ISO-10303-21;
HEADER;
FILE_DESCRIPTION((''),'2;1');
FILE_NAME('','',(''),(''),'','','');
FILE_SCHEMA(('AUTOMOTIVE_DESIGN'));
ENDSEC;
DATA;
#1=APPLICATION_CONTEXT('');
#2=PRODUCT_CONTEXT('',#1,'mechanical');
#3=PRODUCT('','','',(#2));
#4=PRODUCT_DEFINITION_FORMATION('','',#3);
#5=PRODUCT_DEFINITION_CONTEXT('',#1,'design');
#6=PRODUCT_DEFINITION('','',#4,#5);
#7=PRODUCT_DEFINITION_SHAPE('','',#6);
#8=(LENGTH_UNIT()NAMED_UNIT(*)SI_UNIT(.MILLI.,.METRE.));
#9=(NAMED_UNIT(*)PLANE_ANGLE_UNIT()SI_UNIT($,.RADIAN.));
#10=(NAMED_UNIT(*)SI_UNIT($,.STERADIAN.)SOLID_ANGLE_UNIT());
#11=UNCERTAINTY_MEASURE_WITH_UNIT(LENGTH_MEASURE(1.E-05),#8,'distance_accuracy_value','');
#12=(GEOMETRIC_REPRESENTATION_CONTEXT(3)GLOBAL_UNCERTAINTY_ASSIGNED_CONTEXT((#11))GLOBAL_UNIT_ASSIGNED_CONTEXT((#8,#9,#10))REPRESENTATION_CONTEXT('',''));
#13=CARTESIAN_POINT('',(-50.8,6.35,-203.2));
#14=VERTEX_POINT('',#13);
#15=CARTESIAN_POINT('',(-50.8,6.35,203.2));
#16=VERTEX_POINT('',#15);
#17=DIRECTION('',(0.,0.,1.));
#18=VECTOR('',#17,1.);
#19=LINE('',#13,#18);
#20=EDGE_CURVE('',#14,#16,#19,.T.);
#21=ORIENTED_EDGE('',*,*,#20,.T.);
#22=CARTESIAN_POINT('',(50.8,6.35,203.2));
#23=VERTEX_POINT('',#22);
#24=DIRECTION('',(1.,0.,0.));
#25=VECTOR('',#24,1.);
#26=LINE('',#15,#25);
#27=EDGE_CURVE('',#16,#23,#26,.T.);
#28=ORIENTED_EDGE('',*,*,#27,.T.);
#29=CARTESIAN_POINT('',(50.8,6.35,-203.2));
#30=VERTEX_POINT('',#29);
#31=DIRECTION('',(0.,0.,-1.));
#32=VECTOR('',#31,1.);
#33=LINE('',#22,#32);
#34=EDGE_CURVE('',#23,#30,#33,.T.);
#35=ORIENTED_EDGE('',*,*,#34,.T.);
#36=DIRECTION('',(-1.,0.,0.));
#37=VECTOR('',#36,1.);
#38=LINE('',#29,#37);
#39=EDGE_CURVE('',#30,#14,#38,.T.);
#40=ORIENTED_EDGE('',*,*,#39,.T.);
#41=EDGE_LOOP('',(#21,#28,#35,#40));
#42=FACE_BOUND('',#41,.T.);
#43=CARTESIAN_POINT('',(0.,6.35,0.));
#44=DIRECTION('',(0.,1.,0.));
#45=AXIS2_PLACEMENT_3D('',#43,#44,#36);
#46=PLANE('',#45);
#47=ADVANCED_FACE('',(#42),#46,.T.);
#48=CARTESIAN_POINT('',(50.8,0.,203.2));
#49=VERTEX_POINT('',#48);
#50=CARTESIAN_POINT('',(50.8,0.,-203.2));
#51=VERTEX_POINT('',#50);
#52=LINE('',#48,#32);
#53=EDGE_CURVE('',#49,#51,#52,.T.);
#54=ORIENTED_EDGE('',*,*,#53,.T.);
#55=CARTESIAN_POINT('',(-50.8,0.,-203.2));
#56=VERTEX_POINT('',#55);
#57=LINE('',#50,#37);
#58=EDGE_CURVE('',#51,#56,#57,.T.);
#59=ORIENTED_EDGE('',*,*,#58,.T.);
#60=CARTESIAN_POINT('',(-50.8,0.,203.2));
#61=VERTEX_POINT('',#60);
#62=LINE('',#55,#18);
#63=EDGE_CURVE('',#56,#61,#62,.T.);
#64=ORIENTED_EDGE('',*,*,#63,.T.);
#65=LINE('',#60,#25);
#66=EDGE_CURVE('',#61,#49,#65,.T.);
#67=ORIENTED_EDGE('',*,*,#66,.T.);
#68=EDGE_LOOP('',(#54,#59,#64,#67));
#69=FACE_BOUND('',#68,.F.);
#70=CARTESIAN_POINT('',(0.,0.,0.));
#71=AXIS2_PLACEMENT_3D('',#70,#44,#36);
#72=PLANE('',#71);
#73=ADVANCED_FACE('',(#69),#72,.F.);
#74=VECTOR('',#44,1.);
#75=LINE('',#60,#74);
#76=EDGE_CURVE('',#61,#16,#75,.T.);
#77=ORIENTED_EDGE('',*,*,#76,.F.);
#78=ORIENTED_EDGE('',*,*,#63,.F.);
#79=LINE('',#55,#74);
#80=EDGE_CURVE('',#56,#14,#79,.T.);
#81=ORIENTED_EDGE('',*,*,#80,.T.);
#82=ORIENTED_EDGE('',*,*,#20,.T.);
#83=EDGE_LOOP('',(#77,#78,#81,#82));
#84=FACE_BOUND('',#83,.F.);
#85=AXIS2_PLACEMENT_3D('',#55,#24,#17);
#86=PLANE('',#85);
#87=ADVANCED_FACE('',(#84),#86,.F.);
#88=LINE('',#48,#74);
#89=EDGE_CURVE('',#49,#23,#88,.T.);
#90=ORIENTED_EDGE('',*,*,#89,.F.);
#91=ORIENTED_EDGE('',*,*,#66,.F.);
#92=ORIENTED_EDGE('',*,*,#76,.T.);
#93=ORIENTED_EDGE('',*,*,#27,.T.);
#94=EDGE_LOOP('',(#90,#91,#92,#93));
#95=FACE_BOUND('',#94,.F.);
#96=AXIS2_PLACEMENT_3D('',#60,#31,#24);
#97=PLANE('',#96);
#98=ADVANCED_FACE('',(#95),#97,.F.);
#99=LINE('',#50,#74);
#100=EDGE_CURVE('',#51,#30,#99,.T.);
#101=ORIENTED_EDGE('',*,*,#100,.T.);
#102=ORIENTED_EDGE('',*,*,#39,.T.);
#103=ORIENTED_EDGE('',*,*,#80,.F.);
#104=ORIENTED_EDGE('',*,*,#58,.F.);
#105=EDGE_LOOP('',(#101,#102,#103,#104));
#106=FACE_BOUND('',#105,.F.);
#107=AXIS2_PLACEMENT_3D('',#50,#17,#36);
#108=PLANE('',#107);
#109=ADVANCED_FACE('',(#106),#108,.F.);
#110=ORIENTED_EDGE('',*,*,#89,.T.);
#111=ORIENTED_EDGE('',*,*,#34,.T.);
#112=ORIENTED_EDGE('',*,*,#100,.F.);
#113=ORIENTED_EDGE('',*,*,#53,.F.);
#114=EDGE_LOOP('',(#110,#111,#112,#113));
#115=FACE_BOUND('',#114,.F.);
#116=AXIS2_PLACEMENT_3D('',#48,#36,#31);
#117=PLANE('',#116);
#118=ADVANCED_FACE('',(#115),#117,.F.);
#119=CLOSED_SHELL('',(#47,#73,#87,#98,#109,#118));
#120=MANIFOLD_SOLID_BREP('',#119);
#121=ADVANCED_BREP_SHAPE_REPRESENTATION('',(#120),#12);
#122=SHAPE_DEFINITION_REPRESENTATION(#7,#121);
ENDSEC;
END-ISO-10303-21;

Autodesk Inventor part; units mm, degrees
ref_plane "YZ Plane" through (0, 0, 0) normal (1, 0, 0) x (0, 1, 0)
ref_plane "XZ Plane" through (0, 0, 0) normal (0, 1, 0) x (-1, 0, 0)
ref_plane "XY Plane" through (0, 0, 0) normal (0, 0, 1) x (1, 0, 0)
sketch "Sketch1" plane through (0, 0, 0) normal (0, 1, 0) x (-1, 0, 0)
  line L0 (50.8, 203.2) -> (-50.8, 203.2)
  line L1 (-50.8, 203.2) -> (-50.8, -203.2)
  line L2 (-50.8, -203.2) -> (50.8, -203.2)
  line L3 (50.8, -203.2) -> (50.8, 203.2)
  line L4 (50.8, 203.2) -> (-50.8, -203.2) construction
  line L5 (-50.8, 203.2) -> (50.8, -203.2) construction
  point P0 (0, 0)
  dimension "d0" = 406.4
  dimension "d1" = 101.6
extrude "Extrusion1" add sketch "Sketch1" along normal blind 6.35
equation "\"d0\" = plateLength"
equation "\"d1\" = plateWidth"
equation "\"d2\" = plateThickness"
equation "\"plateWidth\" = 101.6"
equation "\"plateLength\" = 406.4"
equation "\"plateThickness\" = 6.35"
properties part number "longSupportPlate" material "Aluminum 6061"
